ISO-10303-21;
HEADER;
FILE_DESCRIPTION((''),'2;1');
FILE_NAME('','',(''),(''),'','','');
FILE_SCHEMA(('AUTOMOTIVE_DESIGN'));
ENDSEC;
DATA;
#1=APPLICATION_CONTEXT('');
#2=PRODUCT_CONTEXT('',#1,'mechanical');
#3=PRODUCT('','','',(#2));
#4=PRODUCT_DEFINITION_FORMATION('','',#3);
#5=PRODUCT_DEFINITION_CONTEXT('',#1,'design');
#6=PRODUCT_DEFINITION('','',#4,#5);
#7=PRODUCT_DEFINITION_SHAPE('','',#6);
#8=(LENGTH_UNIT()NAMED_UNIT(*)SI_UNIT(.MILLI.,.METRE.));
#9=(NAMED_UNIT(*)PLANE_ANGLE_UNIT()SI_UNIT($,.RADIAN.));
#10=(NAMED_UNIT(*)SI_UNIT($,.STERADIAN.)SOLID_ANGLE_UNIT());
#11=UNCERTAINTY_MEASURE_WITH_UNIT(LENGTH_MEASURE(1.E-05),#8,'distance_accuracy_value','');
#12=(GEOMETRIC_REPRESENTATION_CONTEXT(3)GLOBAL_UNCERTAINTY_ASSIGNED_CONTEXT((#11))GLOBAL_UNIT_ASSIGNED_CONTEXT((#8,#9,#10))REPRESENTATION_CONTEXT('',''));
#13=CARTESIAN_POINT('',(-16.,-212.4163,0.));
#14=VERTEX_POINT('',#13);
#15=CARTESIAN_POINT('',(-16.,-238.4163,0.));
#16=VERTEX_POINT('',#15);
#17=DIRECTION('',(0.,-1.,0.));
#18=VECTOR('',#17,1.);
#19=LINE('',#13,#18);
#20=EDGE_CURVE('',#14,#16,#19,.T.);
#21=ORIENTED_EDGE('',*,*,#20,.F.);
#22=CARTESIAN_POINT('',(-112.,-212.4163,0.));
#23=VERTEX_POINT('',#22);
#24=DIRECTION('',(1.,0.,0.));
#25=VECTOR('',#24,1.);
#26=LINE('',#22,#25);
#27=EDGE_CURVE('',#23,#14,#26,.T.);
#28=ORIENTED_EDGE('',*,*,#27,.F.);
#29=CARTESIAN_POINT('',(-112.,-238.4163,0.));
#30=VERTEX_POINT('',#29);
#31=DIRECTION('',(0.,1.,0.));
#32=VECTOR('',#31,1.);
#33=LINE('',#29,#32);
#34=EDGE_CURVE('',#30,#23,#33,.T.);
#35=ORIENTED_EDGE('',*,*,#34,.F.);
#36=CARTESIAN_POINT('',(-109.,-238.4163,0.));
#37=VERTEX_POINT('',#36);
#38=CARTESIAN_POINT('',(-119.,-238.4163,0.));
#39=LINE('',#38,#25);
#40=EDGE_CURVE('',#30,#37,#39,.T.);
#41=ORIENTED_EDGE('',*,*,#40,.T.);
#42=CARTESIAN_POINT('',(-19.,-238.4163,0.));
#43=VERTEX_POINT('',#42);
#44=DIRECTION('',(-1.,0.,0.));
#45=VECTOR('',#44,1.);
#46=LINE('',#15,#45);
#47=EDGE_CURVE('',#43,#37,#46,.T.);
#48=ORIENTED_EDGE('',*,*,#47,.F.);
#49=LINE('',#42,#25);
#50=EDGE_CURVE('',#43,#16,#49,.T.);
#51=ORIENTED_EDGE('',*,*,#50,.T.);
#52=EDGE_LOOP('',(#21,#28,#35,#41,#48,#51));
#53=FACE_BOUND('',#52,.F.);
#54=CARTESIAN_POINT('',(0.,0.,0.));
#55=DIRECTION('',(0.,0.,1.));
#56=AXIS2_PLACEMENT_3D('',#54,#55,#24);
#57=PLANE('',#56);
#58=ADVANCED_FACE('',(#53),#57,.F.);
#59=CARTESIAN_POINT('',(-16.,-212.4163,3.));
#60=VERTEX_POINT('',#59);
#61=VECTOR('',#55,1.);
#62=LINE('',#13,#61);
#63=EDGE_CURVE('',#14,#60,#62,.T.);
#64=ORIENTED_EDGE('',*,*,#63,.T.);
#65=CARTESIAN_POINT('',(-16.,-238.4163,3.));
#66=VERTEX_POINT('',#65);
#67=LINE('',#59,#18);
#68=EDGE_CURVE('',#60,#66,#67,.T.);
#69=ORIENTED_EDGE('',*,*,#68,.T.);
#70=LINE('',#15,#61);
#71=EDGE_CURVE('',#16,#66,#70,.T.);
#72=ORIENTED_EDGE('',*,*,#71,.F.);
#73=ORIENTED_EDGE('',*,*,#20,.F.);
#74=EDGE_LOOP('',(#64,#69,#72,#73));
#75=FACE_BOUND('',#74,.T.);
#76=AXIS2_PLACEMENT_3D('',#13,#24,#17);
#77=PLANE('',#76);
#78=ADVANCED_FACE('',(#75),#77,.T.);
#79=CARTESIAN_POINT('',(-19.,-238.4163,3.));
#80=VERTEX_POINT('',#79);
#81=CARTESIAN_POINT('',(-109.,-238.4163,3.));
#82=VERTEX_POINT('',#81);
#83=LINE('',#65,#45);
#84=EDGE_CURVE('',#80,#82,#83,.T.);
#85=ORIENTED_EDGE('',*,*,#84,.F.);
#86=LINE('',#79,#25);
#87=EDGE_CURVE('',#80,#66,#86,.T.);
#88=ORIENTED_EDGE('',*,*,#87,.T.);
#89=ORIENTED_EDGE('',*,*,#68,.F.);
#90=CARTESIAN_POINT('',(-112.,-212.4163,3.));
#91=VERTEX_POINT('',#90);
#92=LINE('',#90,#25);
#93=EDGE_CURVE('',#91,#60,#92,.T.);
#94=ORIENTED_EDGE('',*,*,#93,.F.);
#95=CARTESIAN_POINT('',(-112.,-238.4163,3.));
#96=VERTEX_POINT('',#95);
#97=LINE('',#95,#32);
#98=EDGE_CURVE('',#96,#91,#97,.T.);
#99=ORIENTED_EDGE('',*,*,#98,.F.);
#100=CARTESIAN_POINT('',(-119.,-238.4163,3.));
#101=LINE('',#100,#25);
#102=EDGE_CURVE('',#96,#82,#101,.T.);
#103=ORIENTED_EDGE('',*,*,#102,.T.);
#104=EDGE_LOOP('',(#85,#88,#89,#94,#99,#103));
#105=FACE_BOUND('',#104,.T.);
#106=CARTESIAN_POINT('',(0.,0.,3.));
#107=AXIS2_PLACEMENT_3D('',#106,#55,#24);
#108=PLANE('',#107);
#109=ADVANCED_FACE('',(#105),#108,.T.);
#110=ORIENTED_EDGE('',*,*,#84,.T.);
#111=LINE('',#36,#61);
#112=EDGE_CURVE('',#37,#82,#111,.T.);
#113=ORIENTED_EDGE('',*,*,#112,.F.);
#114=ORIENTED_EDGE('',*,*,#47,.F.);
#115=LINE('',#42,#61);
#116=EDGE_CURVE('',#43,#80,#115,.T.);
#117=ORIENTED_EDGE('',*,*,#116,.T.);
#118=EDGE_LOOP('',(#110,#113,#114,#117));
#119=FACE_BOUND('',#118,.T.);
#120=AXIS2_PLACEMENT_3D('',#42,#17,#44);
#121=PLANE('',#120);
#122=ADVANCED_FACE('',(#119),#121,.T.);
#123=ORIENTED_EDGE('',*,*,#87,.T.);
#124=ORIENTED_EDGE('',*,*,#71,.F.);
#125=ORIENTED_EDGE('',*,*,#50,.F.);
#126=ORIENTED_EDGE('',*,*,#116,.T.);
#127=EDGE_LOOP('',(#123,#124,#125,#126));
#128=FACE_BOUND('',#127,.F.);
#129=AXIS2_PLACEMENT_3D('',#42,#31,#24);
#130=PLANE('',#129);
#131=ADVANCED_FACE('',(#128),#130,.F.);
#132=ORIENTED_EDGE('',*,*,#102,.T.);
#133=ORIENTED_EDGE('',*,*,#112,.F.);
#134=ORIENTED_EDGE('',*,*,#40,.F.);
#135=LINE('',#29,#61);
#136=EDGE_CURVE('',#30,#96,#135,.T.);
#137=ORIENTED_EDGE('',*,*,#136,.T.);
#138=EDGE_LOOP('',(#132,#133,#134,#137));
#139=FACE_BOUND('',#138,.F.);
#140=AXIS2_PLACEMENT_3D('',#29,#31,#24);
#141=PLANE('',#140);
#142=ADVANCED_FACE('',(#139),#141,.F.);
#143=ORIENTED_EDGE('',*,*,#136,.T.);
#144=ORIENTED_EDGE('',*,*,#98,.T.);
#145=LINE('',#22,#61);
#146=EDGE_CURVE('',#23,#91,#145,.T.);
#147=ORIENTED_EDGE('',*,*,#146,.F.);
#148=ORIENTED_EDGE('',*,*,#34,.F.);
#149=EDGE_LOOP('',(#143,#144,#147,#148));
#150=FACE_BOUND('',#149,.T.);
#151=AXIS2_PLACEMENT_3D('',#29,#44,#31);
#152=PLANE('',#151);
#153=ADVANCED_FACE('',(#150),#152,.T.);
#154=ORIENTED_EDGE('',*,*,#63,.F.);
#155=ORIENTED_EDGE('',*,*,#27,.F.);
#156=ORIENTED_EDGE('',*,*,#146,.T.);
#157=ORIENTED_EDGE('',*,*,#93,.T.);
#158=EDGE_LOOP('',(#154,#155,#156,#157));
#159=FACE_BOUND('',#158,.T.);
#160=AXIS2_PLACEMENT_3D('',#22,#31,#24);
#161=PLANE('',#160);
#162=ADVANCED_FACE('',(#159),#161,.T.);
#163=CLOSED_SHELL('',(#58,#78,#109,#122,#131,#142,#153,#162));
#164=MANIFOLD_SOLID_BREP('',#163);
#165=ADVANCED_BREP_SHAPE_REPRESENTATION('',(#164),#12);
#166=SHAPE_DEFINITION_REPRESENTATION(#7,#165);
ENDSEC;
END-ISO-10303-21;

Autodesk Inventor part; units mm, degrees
ref_plane "YZ Plane" through (0, 0, 0) normal (1, 0, 0) x (0, 1, 0)
ref_plane "XZ Plane" through (0, 0, 0) normal (0, 1, 0) x (-1, 0, 0)
ref_plane "Work Plane1" through (0, 0, 0) normal (0, 0, 1) x (1, 0, 0)
sketch "Sketch1" plane through (0, 0, 0) normal (0, 0, 1) x (1, 0, 0)
  line L0 (-109, -242.4163) -> (-109, -238.4163)
  line L1 (-119, -238.4163) -> (-109, -238.4163)
  arc A0 (-124, -233.4163) -> (-119, -238.4163) centre (-119, -233.4163) ccw
  line L2 (-124, -154.5344) -> (-124, -233.4163)
  arc A1 (-123.8494, -153.3167) -> (-124, -154.5344) centre (-119, -154.5344) ccw
  line L3 (-103.571, -72.5602) -> (-123.8494, -153.3167)
  arc A2 (-103.1284, -71.4158) -> (-103.571, -72.5602) centre (-98.7216, -73.7779) ccw
  line L4 (-68.4069, -6.6379) -> (-103.1284, -71.4158)
  arc A3 (-59.5931, -6.6379) -> (-68.4069, -6.6379) centre (-64, -9) ccw
  line L5 (-24.8716, -71.4158) -> (-59.5931, -6.6379)
  arc A4 (-24.429, -72.5602) -> (-24.8716, -71.4158) centre (-29.2784, -73.7779) ccw
  line L6 (-4.1506, -153.3167) -> (-24.429, -72.5602)
  arc A5 (-4, -154.5344) -> (-4.1506, -153.3167) centre (-9, -154.5344) ccw
  line L7 (-4, -233.4163) -> (-4, -154.5344)
  arc A6 (-9, -238.4163) -> (-4, -233.4163) centre (-9, -233.4163) ccw
  line L8 (-19, -238.4163) -> (-9, -238.4163)
  line L9 (-19, -238.4163) -> (-19, -242.4163)
  line L10 (-9, -242.4163) -> (-19, -242.4163)
  arc A7 (-9, -242.4163) -> (0, -233.4163) centre (-9, -233.4163) ccw
  line L11 (0, -154.5344) -> (0, -233.4163)
  arc A8 (0, -154.5344) -> (-0.271, -152.3425) centre (-9, -154.5344) ccw
  line L12 (-20.5494, -71.586) -> (-0.271, -152.3425)
  arc A9 (-20.5494, -71.586) -> (-21.3461, -69.5261) centre (-29.2784, -73.7779) ccw
  line L13 (-56.0677, -4.7482) -> (-21.3461, -69.5261)
  arc A10 (-56.0677, -4.7482) -> (-71.9323, -4.7482) centre (-64, -9) ccw
  line L14 (-106.6539, -69.5261) -> (-71.9323, -4.7482)
  arc A11 (-106.6539, -69.5261) -> (-107.4506, -71.586) centre (-98.7216, -73.7779) ccw
  line L15 (-127.729, -152.3425) -> (-107.4506, -71.586)
  arc A12 (-127.729, -152.3425) -> (-128, -154.5344) centre (-119, -154.5344) ccw
  line L16 (-128, -233.4163) -> (-128, -154.5344)
  arc A13 (-128, -233.4163) -> (-119, -242.4163) centre (-119, -233.4163) ccw
  line L17 (-109, -242.4163) -> (-119, -242.4163)
  line L18 (-112, -212.4163) -> (-16, -212.4163)
  line L19 (-16, -212.4163) -> (-16, -238.4163)
  line L20 (-16, -238.4163) -> (-112, -238.4163)
  line L21 (-112, -238.4163) -> (-112, -212.4163)
  point P0 (0, 0)
  dimension "d8" = 12
  dimension "d9" = 12
  dimension "d10" = 26
extrude "Plate1" add sketch "Sketch1" along normal blind 3 contours L1 L21 L18 L19 L8 L20
ref_plane "midtplan" through (-64, -238.4163, 0) normal (-1, 0, 0) x (0, 0, 1)
equation "\"d9\" = d8"
equation "\"d7\" = Thickness"
equation "\"Thickness\" = pladetykkelse"
equation "\"BendRadius\" = 1.5 * Thickness"
equation "\"BendReliefWidth\" = Thickness"
equation "\"BendReliefDepth\" = 0.5 * Thickness"
equation "\"CornerReliefSize\" = 4 * Thickness"
equation "\"MinimumRemnant\" = 2 * Thickness"
equation "\"TransitionRadius\" = BendRadius"
equation "\"JacobiRadiusSize\" = BendRadius"
equation "\"GapSize\" = Thickness"
equation "\"pladetykkelse\" = 3"
equation "\"trappevinkel\" = 34.3deg"
equation "\"trappestifter_dia\" = 25"
equation "\"trappestifter_huldia\" = 25.8"
equation "\"trappestifter_skraa_huldia\" = 26.6"
equation "\"trappestifter_laengde\" = 228"
equation "\"perforeringsbredde\" = 6"
equation "\"perforeringshullaengde\" = 62.8"
equation "\"perforeringshullaengde_top\" = 61"
equation "\"perforeringshullaengde_bund\" = 61.6"
equation "\"perforeringsoffset\" = 8"
equation "\"perforeringsoffset_top\" = 8"
equation "\"perforeringsoffset_bund\" = 8"
equation "\"laskehul_dia\" = 13"
equation "\"balusterhul_udvidelse\" = 1"
equation "\"trinbredde\" = 1884"
properties part number "skot opad smal" material "S355MC"
